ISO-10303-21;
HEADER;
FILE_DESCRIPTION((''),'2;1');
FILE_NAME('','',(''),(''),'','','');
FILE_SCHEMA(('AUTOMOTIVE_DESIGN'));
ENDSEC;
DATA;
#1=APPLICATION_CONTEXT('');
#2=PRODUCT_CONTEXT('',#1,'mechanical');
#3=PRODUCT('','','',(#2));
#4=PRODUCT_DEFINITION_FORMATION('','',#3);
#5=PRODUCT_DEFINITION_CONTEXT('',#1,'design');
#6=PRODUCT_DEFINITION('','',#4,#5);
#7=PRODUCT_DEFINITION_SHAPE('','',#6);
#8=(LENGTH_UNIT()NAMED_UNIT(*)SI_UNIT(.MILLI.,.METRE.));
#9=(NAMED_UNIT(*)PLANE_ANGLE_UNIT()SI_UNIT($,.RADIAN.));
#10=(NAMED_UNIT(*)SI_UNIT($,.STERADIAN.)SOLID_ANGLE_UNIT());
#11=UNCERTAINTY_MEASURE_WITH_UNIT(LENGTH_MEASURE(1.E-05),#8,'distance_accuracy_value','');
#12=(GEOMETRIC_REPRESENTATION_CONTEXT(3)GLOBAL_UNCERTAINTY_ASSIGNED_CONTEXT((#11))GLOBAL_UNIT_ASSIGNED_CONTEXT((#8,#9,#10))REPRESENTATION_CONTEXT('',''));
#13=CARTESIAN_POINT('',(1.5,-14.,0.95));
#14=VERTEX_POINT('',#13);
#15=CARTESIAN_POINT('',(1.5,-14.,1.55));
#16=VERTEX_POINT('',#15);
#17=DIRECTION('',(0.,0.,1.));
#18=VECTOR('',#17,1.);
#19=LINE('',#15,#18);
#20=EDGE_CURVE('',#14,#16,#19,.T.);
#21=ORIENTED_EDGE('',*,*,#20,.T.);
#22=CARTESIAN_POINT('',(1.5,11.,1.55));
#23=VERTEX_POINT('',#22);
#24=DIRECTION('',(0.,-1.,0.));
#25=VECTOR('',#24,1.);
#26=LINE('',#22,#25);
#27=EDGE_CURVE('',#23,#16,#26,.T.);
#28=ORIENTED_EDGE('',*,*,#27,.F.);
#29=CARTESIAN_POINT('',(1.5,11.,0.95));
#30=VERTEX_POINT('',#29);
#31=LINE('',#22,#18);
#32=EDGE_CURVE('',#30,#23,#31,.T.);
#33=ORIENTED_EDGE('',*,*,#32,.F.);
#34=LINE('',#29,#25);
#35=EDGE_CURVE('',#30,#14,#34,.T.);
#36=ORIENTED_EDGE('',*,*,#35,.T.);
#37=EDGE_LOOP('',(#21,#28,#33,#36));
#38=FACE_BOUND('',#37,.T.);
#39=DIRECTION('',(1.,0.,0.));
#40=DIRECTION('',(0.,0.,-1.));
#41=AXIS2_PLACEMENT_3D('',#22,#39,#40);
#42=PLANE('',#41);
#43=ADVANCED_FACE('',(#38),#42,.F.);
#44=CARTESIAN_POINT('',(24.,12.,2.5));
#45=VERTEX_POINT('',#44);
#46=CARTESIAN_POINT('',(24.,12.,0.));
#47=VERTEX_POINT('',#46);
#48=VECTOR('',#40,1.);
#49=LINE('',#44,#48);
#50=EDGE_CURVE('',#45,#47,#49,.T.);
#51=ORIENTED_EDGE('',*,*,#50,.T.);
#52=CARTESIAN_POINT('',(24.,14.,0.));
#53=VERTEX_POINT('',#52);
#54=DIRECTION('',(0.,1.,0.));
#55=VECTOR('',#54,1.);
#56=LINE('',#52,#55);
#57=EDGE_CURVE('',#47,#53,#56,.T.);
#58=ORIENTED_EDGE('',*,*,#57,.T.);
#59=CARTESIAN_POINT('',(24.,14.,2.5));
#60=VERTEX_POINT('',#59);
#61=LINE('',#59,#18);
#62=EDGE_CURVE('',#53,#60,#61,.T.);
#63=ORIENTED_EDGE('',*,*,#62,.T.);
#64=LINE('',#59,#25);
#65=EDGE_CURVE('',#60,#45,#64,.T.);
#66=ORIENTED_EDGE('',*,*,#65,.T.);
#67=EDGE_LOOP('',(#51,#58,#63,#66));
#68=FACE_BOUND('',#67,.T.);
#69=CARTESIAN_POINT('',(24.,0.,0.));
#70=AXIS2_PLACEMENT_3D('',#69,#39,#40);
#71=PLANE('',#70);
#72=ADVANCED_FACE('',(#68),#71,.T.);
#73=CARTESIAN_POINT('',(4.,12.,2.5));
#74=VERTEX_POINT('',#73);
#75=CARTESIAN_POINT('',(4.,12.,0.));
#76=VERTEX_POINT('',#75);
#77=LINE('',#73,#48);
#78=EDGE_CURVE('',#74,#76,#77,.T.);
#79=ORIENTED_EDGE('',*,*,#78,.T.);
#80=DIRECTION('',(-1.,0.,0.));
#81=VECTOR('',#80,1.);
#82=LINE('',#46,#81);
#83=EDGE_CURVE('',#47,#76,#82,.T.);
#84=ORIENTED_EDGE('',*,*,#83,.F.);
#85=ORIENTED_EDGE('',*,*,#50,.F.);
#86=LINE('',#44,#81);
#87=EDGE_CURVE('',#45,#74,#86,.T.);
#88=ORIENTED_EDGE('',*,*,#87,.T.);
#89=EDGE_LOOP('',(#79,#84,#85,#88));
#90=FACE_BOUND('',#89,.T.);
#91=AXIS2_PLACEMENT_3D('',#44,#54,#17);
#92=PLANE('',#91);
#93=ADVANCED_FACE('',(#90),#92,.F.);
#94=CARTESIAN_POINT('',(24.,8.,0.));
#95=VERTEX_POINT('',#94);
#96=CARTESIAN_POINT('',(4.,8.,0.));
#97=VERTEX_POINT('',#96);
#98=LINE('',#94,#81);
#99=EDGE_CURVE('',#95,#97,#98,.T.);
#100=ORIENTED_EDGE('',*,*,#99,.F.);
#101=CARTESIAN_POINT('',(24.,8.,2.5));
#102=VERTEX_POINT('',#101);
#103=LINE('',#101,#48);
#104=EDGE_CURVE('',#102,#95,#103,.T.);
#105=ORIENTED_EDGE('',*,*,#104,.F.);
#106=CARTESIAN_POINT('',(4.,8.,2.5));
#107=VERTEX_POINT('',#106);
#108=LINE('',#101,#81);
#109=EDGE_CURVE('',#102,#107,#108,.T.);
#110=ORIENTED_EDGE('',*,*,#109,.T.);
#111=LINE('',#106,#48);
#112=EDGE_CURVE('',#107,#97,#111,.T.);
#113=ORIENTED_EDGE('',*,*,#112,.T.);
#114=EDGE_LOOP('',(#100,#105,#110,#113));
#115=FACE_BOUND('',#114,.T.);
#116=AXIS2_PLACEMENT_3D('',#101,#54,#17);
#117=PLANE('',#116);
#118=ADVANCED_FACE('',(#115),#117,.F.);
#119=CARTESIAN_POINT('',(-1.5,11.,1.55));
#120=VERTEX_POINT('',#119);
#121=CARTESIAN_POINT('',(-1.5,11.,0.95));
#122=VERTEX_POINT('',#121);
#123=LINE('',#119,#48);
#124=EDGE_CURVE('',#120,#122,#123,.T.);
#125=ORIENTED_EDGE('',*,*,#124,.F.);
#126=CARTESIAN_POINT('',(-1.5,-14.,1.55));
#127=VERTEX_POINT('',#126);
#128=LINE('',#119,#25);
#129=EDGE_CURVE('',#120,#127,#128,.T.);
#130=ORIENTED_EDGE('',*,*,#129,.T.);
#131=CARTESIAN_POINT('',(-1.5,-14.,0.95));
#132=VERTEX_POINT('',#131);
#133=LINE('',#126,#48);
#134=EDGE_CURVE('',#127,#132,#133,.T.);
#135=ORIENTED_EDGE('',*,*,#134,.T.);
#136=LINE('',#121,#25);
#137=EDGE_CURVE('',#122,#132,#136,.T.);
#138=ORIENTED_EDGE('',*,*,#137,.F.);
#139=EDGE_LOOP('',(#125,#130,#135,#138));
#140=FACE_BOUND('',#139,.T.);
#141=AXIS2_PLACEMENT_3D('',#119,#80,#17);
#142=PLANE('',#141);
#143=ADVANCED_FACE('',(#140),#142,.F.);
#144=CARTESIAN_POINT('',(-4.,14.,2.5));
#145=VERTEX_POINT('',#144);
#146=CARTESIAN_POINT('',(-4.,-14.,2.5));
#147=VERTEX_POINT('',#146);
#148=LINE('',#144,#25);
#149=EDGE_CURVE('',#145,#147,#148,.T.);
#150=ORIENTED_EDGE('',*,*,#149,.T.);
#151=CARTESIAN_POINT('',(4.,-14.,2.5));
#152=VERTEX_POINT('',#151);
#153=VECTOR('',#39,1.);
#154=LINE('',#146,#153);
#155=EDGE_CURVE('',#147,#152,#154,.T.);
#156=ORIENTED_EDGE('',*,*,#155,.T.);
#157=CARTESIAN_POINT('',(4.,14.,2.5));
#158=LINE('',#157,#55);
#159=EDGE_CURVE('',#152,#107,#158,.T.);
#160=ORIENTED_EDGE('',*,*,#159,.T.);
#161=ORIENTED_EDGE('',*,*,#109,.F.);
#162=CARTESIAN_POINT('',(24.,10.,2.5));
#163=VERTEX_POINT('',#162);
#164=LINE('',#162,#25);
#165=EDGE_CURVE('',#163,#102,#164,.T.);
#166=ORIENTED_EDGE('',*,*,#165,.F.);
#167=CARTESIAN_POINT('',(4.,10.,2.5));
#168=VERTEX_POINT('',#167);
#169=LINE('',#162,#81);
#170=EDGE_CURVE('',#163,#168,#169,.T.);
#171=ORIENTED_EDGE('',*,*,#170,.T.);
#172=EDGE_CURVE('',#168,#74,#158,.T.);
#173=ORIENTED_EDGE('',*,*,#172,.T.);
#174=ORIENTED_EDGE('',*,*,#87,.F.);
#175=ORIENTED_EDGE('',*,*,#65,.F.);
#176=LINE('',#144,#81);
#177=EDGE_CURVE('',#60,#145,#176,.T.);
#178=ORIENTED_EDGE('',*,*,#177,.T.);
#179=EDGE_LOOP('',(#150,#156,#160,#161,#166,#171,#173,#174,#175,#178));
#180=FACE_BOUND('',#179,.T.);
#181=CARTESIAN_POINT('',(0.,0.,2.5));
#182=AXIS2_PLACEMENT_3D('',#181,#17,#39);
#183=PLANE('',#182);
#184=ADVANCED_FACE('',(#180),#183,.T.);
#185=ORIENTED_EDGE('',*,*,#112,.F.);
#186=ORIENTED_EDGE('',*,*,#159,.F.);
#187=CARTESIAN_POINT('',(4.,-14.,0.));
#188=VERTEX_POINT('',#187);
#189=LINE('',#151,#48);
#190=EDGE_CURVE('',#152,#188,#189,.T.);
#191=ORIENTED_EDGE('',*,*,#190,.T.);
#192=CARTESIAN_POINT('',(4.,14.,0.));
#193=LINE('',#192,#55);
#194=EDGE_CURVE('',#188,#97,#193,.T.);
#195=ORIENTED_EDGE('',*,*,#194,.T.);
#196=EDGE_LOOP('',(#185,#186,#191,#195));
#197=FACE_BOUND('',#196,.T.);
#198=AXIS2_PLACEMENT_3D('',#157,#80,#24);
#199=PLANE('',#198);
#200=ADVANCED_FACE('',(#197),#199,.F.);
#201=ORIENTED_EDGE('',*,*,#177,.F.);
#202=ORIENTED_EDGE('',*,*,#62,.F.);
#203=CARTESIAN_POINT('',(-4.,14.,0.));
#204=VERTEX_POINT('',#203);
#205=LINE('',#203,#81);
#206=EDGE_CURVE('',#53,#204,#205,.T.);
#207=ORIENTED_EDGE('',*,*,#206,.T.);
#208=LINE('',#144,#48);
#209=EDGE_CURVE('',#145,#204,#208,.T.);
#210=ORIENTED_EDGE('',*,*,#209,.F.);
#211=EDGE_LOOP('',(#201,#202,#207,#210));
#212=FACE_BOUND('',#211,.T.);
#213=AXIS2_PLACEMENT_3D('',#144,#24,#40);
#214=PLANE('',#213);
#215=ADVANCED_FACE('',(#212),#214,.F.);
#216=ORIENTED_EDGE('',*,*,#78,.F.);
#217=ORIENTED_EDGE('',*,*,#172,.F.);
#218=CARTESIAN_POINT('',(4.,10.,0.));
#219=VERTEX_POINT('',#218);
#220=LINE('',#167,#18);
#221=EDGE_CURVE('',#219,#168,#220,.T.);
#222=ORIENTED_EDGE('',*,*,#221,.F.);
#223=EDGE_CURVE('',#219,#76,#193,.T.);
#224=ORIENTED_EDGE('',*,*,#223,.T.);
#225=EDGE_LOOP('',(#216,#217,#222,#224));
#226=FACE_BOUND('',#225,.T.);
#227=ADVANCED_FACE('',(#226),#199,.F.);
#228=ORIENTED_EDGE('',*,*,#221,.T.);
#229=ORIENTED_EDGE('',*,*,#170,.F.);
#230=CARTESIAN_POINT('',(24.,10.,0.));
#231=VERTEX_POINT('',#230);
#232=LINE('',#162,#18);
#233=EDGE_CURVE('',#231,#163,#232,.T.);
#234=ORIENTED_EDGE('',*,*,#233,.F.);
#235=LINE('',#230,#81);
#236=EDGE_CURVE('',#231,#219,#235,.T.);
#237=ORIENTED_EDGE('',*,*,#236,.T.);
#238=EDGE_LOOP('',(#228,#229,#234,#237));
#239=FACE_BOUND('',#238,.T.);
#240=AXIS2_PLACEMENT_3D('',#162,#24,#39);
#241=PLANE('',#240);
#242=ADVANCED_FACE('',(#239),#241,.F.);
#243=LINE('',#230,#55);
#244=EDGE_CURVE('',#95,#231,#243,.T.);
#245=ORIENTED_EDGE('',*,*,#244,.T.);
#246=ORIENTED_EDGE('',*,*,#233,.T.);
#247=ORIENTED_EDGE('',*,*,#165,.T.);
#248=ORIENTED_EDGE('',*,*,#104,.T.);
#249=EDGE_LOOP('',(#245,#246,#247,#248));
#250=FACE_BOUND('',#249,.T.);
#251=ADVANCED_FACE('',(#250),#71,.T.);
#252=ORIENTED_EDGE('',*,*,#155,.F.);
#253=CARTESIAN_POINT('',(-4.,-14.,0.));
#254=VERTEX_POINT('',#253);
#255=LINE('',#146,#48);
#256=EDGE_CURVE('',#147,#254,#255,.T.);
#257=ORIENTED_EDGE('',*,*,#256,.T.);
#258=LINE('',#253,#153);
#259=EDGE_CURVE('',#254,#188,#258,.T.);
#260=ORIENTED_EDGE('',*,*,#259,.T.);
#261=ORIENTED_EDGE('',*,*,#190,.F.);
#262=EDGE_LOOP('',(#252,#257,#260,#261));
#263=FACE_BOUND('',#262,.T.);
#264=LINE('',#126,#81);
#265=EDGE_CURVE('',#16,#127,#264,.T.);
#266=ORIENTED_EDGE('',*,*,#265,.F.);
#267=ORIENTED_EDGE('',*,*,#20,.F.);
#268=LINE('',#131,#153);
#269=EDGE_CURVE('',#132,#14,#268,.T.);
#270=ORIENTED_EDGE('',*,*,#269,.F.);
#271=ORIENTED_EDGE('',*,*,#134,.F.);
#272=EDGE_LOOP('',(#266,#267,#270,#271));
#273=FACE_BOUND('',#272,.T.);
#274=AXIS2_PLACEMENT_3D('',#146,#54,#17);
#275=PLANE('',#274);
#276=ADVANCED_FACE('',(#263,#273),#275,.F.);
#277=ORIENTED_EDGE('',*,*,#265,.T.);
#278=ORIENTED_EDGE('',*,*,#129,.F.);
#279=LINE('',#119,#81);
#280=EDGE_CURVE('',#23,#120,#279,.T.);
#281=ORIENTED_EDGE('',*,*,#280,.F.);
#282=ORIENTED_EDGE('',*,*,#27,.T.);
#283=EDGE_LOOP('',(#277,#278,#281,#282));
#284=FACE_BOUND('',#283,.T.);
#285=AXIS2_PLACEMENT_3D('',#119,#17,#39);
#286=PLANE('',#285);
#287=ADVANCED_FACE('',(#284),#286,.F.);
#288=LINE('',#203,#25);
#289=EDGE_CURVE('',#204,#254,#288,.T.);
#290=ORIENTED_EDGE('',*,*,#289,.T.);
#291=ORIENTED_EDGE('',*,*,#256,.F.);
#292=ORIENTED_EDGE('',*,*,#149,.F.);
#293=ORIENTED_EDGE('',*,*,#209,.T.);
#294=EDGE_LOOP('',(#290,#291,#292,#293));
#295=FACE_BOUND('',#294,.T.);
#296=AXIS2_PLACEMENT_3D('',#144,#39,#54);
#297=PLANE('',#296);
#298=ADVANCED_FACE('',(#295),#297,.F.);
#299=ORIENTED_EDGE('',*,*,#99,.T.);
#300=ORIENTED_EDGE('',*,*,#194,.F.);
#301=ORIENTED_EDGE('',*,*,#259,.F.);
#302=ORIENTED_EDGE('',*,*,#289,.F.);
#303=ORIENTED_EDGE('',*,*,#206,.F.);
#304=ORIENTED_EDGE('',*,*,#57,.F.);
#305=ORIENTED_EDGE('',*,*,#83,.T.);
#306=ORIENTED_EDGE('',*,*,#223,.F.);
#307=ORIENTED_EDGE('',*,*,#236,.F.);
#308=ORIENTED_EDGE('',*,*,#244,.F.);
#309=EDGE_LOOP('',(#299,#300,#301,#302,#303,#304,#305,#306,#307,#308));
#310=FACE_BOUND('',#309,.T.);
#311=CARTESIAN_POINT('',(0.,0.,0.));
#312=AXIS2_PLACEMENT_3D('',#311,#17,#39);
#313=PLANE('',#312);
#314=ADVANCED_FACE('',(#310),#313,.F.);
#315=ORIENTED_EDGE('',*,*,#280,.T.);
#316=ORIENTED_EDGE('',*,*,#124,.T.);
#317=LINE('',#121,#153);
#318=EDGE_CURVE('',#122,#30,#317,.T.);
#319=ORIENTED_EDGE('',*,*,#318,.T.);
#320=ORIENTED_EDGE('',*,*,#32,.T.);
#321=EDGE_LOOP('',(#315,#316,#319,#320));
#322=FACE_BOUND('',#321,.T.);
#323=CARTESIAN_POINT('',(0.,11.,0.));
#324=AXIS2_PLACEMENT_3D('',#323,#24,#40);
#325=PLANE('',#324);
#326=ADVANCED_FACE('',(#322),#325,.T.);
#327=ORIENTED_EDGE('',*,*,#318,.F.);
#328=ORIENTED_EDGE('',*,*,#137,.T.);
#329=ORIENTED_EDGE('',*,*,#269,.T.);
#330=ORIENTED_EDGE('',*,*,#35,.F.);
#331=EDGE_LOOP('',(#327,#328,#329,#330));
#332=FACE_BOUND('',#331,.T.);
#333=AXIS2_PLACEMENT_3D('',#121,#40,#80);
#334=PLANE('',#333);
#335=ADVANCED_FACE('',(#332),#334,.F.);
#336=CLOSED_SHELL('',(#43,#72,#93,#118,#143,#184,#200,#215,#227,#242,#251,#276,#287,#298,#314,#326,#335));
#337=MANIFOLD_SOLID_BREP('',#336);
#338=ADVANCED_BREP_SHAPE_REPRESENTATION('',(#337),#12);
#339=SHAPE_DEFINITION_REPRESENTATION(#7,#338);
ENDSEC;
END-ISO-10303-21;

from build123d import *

# Parameters (mm, degrees)
ESBO_O2_W                = 8
ESBO_O2_H                = 28
RESSALTO_EXTRUS_O1_DEPTH = 2.5
ESBO_O3_W                = 3
ESBO_O3_H                = 0.6
CORTE_EXTRUS_O1_DEPTH    = 25
ESBO_O4_W                = 2.5
ESBO_O4_H                = 2
RESSALTO_EXTRUS_O2_DEPTH = 20


with BuildPart() as part:
    # Esboço2 → Ressalto-extrusão1 (new body)
    with BuildSketch(Plane.XY):
        Rectangle(ESBO_O2_W, ESBO_O2_H)
    extrude(amount=RESSALTO_EXTRUS_O1_DEPTH)

    # Esboço3 → Corte-extrusão1 (cut)
    with BuildSketch(Plane.XZ.offset(14)):
        with Locations((0, 1.25)):
            Rectangle(ESBO_O3_W, ESBO_O3_H)
    extrude(amount=-CORTE_EXTRUS_O1_DEPTH, mode=Mode.SUBTRACT)

    # Esboço4 → Ressalto-extrusão2 (add)
    with BuildSketch(Plane(origin=(4, 0, 0), x_dir=(0, 0, -1), z_dir=(1, 0, 0))):
        with Locations((-1.25, 13)):
            Rectangle(ESBO_O4_W, ESBO_O4_H)
        with Locations((-1.25, 9)):
            Rectangle(ESBO_O4_W, ESBO_O4_H)
    extrude(amount=RESSALTO_EXTRUS_O2_DEPTH)


solid = part.part
